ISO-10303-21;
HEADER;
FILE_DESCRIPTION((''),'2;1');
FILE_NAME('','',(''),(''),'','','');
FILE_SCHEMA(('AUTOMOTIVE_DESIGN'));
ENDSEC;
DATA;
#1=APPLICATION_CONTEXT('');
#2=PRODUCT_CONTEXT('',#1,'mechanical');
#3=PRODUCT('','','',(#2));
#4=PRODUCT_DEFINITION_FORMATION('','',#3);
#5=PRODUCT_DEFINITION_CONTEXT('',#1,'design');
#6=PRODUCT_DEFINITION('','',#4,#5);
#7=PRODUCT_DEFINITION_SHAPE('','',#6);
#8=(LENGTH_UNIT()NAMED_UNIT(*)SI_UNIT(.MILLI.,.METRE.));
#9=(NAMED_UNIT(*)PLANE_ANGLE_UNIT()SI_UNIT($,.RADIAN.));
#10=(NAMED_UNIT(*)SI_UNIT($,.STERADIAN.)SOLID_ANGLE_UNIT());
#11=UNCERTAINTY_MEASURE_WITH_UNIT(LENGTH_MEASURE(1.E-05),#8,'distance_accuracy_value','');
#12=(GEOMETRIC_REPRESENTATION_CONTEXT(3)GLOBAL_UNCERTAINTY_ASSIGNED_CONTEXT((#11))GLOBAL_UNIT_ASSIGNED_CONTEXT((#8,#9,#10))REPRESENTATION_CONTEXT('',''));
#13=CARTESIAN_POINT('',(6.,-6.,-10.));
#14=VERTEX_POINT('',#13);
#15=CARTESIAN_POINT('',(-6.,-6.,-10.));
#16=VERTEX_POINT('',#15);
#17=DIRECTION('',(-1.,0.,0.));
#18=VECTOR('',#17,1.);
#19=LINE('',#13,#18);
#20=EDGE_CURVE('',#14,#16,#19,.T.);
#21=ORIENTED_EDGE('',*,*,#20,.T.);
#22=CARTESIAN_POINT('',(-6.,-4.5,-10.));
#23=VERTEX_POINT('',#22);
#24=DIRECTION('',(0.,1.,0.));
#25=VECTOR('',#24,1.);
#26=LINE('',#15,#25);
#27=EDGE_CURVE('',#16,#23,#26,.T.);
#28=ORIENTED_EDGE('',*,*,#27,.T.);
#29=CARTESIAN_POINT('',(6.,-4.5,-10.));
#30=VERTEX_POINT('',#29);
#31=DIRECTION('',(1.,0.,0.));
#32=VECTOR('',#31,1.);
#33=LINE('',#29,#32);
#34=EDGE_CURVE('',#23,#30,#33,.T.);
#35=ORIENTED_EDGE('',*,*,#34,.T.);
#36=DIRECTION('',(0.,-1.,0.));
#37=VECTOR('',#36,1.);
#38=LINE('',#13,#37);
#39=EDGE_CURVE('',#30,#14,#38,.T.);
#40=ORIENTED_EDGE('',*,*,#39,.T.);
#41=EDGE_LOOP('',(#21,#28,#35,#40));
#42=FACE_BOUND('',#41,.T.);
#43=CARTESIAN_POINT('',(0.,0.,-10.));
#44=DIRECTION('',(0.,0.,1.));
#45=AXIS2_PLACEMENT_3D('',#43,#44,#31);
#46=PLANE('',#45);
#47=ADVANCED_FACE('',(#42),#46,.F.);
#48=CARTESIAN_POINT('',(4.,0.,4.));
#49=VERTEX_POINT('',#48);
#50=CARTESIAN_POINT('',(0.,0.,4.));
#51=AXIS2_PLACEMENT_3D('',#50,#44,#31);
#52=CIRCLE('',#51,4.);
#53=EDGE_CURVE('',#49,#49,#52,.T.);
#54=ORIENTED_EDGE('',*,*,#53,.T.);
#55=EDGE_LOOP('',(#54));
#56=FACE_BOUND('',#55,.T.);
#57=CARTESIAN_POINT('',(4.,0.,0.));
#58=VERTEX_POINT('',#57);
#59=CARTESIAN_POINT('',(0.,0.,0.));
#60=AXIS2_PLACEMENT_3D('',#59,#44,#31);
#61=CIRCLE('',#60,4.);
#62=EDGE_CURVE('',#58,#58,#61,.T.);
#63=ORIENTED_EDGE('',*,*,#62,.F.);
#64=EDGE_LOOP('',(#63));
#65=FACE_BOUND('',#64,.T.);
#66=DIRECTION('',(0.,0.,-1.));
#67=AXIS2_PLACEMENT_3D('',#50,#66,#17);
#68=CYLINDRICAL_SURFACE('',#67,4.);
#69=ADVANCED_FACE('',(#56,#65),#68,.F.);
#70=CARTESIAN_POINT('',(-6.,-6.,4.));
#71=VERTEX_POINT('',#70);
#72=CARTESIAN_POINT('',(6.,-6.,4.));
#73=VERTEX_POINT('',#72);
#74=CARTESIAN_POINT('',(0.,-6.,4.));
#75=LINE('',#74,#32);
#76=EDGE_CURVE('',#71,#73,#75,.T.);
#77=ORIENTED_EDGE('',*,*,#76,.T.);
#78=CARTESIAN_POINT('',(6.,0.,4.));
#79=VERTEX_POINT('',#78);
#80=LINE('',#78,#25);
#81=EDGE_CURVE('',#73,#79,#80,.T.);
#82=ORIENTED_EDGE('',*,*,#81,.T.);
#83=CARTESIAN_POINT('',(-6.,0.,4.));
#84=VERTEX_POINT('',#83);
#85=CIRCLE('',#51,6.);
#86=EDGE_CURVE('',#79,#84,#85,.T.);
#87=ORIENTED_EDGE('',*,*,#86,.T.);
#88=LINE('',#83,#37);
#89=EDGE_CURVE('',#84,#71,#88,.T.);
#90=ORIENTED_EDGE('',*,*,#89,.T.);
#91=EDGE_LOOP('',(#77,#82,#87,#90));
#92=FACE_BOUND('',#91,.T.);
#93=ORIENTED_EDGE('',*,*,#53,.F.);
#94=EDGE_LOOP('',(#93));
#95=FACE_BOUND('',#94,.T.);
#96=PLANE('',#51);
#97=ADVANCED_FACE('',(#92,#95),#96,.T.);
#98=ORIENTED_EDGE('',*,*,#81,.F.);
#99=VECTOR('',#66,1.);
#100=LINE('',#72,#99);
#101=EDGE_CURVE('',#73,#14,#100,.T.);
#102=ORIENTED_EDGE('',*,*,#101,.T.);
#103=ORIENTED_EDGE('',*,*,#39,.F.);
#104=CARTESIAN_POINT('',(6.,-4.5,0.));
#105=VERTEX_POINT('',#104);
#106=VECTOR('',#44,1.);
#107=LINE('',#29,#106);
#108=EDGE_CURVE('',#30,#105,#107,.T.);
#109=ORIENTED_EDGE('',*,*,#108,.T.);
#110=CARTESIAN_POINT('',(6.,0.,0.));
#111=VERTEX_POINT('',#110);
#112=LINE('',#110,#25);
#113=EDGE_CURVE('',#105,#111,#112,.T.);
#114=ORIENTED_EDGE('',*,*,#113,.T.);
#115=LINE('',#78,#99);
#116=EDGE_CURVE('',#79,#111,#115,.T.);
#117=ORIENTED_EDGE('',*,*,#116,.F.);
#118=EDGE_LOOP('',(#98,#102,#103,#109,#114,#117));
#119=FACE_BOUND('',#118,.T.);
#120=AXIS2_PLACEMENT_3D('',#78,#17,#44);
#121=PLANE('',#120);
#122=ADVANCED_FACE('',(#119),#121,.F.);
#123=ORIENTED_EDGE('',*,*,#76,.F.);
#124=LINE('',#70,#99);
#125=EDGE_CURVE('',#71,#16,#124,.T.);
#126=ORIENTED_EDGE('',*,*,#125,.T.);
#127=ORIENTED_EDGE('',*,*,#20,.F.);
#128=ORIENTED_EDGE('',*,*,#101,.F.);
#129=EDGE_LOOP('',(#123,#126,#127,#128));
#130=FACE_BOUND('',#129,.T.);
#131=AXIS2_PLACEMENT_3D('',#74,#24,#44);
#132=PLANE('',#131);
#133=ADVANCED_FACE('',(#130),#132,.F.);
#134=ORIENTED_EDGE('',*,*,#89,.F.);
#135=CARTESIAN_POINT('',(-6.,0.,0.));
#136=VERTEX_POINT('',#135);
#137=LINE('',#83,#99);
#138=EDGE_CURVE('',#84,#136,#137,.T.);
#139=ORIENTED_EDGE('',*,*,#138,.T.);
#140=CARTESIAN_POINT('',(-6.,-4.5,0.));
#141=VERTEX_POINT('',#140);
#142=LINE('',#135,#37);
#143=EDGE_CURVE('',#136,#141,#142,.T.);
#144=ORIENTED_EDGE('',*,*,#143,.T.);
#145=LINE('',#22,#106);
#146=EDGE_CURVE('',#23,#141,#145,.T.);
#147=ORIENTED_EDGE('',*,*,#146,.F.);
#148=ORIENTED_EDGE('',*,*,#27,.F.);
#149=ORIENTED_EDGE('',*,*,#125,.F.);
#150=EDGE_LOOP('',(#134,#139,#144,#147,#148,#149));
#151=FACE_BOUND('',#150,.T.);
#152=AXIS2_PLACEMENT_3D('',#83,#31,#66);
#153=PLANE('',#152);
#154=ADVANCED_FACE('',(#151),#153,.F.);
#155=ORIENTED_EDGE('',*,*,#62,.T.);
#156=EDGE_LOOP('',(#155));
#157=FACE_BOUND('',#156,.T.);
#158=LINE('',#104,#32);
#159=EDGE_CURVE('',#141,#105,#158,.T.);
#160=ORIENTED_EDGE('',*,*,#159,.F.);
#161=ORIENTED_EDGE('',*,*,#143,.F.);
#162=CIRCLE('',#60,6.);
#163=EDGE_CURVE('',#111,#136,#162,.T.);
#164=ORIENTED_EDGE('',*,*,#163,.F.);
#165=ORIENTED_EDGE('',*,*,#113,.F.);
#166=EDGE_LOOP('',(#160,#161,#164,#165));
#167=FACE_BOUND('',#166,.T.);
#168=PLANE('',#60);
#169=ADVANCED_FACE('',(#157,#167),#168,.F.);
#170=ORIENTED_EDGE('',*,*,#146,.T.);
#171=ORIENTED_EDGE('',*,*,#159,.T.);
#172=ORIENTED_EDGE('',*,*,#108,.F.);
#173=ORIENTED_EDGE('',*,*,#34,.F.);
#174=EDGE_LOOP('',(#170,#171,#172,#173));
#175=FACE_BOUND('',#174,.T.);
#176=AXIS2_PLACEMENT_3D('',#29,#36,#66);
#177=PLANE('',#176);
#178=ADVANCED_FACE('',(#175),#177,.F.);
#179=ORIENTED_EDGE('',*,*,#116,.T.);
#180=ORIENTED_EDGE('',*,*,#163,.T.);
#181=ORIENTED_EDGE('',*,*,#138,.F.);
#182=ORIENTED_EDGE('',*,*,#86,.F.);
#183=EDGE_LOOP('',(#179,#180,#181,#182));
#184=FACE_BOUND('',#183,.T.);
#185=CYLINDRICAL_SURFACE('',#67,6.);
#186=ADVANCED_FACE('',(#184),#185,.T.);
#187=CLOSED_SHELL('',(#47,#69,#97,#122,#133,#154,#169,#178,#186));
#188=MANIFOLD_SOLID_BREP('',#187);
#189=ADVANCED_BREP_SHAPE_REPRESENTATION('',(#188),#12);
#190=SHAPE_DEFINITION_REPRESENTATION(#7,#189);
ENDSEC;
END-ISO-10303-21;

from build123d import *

# Parameters (mm, degrees)
SKETCH1_R           = 4
BOSS_EXTRUDE1_DEPTH = 4
SKETCH2_W           = 12
SKETCH2_H           = 1.5
BOSS_EXTRUDE2_DEPTH = 10


with BuildPart() as part:
    # Sketch1 → Boss-Extrude1 (new body)
    with BuildSketch(Plane.XY):
        with BuildLine():
            Line((0, -6), (-6, -6))
            Line((-6, -6), (-6, 0))
            ThreePointArc((-6, 0), (0, 6), (6, 0))
            Line((6, 0), (6, -6))
            Line((6, -6), (0, -6))
        make_face()
        Circle(SKETCH1_R, mode=Mode.SUBTRACT)
    extrude(amount=BOSS_EXTRUDE1_DEPTH)

    # Sketch2 → Boss-Extrude2 (add)
    with BuildSketch(Plane(origin=(0, 0, 0), x_dir=(-1, 0, 0), z_dir=(0, 0, -1))):
        with Locations((0, -5.25)):
            Rectangle(SKETCH2_W, SKETCH2_H)
    extrude(amount=BOSS_EXTRUDE2_DEPTH)


solid = part.part
